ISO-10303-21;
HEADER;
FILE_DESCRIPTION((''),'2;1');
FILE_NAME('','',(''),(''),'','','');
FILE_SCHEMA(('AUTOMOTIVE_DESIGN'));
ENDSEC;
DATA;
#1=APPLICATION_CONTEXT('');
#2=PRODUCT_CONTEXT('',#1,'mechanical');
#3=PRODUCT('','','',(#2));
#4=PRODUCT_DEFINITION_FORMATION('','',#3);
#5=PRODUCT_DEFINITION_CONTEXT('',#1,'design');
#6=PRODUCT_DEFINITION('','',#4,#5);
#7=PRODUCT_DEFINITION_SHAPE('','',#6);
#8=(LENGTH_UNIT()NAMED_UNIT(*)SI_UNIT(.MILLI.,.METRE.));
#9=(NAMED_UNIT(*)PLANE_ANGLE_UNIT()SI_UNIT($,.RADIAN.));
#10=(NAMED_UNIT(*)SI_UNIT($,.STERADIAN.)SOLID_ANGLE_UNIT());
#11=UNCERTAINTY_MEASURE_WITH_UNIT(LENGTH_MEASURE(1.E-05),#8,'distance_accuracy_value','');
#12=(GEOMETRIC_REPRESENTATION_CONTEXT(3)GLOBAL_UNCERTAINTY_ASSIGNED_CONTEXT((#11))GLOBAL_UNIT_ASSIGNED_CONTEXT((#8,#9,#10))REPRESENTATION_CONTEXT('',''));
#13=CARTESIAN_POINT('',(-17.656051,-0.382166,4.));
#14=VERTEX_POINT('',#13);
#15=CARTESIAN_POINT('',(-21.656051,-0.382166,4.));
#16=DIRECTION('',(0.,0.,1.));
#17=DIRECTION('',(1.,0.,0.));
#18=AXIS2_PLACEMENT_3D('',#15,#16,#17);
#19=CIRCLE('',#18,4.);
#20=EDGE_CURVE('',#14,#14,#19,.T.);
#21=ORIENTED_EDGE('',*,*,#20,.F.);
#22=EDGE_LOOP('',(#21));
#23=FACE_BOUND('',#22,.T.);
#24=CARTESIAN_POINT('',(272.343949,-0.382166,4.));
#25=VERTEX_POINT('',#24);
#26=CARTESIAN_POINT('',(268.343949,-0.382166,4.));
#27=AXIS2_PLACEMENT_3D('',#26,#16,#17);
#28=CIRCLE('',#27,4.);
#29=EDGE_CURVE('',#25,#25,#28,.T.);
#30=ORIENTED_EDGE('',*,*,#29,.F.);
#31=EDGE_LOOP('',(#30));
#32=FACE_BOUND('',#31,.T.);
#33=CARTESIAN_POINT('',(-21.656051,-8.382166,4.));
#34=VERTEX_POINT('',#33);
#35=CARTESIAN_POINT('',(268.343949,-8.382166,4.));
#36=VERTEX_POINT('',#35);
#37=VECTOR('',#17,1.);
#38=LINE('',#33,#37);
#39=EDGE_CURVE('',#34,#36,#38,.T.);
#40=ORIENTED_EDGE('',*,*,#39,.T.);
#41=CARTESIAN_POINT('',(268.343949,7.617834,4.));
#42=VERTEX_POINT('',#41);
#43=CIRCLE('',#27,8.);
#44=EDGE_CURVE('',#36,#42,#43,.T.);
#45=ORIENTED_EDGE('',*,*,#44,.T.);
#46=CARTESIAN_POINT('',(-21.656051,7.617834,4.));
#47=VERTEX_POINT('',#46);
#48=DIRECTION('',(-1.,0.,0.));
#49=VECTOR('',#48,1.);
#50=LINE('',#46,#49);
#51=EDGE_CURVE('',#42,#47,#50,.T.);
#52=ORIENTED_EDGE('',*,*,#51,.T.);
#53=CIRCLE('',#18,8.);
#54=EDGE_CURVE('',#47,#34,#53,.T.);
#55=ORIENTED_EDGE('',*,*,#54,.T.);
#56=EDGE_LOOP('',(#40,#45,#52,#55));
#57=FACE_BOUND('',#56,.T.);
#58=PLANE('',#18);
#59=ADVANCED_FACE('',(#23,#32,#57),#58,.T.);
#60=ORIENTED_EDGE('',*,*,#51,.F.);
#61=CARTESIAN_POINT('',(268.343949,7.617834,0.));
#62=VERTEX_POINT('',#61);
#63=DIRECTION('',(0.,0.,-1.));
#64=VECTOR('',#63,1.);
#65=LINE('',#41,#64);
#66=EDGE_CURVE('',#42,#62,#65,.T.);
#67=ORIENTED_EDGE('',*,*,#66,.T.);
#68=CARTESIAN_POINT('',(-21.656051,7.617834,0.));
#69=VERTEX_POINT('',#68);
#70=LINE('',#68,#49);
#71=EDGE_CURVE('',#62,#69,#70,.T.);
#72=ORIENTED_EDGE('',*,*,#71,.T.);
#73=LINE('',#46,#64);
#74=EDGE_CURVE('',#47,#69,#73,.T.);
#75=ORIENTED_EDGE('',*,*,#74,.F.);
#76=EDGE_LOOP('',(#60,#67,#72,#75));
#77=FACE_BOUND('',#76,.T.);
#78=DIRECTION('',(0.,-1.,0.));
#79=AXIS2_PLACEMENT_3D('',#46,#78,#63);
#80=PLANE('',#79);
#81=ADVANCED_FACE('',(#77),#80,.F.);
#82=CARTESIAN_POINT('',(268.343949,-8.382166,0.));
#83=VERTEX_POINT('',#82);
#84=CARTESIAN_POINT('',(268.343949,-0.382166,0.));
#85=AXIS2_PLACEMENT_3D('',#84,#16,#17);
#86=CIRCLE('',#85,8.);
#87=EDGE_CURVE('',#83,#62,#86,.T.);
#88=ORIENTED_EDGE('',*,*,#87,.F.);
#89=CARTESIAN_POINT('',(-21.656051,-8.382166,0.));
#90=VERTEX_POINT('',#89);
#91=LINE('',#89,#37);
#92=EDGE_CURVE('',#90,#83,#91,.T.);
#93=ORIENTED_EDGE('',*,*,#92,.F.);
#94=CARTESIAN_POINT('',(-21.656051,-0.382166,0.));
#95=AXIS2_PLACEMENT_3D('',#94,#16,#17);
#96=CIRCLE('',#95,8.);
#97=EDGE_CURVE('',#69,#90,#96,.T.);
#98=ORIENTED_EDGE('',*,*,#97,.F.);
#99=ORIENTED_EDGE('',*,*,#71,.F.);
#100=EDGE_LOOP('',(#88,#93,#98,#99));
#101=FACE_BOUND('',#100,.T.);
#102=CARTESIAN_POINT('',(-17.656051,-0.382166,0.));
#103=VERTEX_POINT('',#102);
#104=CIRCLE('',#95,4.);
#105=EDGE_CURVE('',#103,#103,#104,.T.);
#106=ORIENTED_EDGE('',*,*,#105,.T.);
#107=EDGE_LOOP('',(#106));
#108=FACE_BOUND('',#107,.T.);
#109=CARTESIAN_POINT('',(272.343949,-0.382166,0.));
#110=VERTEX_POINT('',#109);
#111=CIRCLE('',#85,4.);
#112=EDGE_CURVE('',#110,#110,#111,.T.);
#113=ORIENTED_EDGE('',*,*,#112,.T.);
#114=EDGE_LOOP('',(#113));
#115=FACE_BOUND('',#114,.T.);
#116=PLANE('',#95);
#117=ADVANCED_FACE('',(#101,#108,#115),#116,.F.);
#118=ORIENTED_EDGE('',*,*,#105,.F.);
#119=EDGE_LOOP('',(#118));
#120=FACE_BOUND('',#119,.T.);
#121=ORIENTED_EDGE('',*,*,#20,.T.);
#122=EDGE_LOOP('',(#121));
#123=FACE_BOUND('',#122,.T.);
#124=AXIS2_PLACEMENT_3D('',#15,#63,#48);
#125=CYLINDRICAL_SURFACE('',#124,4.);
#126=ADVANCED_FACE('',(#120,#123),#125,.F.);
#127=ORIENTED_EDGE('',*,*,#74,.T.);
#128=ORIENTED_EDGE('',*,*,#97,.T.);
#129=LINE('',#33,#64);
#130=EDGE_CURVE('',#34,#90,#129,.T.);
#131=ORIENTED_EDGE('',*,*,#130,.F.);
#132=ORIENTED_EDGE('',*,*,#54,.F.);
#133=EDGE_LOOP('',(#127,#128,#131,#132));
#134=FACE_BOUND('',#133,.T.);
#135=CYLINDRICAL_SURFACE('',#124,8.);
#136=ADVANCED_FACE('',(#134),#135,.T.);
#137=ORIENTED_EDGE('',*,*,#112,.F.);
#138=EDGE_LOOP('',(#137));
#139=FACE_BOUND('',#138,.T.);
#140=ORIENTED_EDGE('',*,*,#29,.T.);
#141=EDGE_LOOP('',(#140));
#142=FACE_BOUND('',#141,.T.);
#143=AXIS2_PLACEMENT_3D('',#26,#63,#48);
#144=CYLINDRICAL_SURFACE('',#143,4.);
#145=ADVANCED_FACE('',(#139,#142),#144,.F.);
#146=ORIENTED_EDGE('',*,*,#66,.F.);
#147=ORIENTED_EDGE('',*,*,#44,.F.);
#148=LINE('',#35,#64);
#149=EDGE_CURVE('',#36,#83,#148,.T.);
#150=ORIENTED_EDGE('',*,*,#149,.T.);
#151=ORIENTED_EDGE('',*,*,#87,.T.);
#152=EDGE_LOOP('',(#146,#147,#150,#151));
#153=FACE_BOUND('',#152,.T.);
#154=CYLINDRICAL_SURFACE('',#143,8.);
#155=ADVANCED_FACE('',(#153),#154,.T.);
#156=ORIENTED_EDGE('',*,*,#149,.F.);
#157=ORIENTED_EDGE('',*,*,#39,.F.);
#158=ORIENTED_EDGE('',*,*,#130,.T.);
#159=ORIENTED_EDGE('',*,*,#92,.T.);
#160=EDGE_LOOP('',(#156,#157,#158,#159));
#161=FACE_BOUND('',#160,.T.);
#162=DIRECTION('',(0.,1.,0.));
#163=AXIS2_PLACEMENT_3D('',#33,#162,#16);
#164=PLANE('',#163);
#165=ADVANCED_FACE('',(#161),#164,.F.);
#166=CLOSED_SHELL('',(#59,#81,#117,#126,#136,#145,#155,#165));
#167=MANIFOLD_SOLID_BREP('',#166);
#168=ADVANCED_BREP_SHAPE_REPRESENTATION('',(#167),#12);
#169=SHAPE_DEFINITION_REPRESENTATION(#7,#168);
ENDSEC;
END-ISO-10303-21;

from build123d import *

# Parameters (mm, degrees)
SKETCH_1_R      = 4
EXTRUDE_1_DEPTH = 4


with BuildPart() as part:
    # 草图1 → 凸台-拉伸1 (new body)
    with BuildSketch(Plane.XY):
        with BuildLine():
            Line((-21.656050955, 7.617834395), (268.343949045, 7.617834395))
            ThreePointArc((268.343949045, 7.617834395), (276.343949045, -0.382165605), (268.343949045, -8.382165605))
            Line((268.343949045, -8.382165605), (-21.656050955, -8.382165605))
            ThreePointArc((-21.656050955, -8.382165605), (-29.656050955, -0.382165605), (-21.656050955, 7.617834395))
        make_face()
        with Locations((-21.656050955, -0.382165605)):
            Circle(SKETCH_1_R, mode=Mode.SUBTRACT)
        with Locations((268.343949045, -0.382165605)):
            Circle(SKETCH_1_R, mode=Mode.SUBTRACT)
    extrude(amount=EXTRUDE_1_DEPTH)


solid = part.part
